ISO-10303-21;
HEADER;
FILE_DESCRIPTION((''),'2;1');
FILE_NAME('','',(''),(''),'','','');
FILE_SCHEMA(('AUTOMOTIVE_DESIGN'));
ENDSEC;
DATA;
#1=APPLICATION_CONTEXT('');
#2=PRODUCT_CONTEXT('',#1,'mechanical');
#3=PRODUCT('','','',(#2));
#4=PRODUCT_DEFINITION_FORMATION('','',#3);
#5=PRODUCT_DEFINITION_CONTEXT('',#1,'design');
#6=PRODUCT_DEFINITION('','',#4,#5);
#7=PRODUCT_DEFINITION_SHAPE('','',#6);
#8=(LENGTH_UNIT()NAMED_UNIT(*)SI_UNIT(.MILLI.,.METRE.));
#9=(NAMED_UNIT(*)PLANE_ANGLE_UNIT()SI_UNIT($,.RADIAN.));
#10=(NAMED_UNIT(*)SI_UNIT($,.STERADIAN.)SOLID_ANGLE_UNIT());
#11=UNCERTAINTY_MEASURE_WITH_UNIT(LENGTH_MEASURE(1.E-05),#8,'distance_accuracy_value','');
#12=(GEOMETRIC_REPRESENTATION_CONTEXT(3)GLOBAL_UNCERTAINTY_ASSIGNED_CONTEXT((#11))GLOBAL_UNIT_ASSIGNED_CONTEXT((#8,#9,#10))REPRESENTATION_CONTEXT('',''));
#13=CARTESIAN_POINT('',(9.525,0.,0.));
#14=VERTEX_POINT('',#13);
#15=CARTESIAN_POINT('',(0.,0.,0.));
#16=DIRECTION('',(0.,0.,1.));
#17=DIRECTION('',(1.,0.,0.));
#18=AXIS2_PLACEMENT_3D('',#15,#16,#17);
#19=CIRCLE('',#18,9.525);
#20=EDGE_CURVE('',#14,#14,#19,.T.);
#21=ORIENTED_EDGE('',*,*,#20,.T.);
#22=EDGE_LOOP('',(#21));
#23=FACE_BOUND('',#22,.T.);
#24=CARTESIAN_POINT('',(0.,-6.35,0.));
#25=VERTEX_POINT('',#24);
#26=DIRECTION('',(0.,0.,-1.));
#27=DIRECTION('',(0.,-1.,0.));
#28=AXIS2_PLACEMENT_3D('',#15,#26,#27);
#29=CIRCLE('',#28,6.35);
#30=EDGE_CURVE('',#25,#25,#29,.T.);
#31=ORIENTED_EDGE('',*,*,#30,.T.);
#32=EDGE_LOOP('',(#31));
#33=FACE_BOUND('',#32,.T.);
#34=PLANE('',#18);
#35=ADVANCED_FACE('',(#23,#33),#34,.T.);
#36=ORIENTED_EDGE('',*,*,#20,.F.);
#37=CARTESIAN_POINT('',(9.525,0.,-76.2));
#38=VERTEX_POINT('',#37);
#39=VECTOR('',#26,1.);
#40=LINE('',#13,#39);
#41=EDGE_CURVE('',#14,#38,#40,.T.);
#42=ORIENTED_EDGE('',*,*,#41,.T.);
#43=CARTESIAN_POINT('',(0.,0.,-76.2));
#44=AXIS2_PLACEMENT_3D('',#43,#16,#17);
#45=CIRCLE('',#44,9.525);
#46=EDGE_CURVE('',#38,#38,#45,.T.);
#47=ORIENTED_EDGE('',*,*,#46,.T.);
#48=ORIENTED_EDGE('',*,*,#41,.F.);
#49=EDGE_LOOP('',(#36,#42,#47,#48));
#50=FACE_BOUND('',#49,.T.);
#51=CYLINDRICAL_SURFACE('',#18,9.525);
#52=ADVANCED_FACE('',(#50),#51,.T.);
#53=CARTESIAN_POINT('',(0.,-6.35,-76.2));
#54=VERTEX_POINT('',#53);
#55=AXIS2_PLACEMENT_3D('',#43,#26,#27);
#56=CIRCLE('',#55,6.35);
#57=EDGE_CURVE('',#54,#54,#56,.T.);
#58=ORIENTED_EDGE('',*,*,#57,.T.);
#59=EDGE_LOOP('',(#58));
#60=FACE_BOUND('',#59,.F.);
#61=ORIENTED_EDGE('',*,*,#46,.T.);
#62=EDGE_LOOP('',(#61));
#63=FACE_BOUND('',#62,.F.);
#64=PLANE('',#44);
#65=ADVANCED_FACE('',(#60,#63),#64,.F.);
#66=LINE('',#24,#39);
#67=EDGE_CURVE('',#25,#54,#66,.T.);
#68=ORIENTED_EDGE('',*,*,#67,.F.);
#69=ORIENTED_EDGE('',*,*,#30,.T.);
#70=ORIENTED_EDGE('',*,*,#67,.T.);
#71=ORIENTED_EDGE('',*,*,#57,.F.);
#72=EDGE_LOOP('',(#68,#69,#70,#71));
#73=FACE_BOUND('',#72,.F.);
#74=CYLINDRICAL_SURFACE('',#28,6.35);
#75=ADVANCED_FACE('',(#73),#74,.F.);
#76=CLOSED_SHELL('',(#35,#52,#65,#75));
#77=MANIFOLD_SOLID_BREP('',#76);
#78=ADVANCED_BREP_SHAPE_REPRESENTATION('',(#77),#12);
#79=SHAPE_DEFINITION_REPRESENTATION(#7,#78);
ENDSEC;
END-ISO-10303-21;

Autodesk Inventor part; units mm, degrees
ref_plane "YZ Plane" through (0, 0, 0) normal (1, 0, 0) x (0, 1, 0)
ref_plane "XZ Plane" through (0, 0, 0) normal (0, 1, 0) x (-1, 0, 0)
ref_plane "XY Plane" through (0, 0, 0) normal (0, 0, 1) x (1, 0, 0)
sketch "Sketch1" plane through (0, 0, 0) normal (0, 0, 1) x (1, 0, 0)
  circle A0 centre (0, 0) radius 9.525
  dimension "OD" = 19.05
extrude "Extrusion1" add sketch "Sketch1" against normal blind 76.2
sketch "Sketch2" plane through (0, 0, 0) normal (0, 0, 1) x (1, 0, 0)
  point P0 (0, 0)
  point P1 (0, 0)
hole "Hole1" at (0, 0, 0) direction (0, 0, -1) diameter 12.7 end through all
properties part number "spacer" material "ABS Plastic"
